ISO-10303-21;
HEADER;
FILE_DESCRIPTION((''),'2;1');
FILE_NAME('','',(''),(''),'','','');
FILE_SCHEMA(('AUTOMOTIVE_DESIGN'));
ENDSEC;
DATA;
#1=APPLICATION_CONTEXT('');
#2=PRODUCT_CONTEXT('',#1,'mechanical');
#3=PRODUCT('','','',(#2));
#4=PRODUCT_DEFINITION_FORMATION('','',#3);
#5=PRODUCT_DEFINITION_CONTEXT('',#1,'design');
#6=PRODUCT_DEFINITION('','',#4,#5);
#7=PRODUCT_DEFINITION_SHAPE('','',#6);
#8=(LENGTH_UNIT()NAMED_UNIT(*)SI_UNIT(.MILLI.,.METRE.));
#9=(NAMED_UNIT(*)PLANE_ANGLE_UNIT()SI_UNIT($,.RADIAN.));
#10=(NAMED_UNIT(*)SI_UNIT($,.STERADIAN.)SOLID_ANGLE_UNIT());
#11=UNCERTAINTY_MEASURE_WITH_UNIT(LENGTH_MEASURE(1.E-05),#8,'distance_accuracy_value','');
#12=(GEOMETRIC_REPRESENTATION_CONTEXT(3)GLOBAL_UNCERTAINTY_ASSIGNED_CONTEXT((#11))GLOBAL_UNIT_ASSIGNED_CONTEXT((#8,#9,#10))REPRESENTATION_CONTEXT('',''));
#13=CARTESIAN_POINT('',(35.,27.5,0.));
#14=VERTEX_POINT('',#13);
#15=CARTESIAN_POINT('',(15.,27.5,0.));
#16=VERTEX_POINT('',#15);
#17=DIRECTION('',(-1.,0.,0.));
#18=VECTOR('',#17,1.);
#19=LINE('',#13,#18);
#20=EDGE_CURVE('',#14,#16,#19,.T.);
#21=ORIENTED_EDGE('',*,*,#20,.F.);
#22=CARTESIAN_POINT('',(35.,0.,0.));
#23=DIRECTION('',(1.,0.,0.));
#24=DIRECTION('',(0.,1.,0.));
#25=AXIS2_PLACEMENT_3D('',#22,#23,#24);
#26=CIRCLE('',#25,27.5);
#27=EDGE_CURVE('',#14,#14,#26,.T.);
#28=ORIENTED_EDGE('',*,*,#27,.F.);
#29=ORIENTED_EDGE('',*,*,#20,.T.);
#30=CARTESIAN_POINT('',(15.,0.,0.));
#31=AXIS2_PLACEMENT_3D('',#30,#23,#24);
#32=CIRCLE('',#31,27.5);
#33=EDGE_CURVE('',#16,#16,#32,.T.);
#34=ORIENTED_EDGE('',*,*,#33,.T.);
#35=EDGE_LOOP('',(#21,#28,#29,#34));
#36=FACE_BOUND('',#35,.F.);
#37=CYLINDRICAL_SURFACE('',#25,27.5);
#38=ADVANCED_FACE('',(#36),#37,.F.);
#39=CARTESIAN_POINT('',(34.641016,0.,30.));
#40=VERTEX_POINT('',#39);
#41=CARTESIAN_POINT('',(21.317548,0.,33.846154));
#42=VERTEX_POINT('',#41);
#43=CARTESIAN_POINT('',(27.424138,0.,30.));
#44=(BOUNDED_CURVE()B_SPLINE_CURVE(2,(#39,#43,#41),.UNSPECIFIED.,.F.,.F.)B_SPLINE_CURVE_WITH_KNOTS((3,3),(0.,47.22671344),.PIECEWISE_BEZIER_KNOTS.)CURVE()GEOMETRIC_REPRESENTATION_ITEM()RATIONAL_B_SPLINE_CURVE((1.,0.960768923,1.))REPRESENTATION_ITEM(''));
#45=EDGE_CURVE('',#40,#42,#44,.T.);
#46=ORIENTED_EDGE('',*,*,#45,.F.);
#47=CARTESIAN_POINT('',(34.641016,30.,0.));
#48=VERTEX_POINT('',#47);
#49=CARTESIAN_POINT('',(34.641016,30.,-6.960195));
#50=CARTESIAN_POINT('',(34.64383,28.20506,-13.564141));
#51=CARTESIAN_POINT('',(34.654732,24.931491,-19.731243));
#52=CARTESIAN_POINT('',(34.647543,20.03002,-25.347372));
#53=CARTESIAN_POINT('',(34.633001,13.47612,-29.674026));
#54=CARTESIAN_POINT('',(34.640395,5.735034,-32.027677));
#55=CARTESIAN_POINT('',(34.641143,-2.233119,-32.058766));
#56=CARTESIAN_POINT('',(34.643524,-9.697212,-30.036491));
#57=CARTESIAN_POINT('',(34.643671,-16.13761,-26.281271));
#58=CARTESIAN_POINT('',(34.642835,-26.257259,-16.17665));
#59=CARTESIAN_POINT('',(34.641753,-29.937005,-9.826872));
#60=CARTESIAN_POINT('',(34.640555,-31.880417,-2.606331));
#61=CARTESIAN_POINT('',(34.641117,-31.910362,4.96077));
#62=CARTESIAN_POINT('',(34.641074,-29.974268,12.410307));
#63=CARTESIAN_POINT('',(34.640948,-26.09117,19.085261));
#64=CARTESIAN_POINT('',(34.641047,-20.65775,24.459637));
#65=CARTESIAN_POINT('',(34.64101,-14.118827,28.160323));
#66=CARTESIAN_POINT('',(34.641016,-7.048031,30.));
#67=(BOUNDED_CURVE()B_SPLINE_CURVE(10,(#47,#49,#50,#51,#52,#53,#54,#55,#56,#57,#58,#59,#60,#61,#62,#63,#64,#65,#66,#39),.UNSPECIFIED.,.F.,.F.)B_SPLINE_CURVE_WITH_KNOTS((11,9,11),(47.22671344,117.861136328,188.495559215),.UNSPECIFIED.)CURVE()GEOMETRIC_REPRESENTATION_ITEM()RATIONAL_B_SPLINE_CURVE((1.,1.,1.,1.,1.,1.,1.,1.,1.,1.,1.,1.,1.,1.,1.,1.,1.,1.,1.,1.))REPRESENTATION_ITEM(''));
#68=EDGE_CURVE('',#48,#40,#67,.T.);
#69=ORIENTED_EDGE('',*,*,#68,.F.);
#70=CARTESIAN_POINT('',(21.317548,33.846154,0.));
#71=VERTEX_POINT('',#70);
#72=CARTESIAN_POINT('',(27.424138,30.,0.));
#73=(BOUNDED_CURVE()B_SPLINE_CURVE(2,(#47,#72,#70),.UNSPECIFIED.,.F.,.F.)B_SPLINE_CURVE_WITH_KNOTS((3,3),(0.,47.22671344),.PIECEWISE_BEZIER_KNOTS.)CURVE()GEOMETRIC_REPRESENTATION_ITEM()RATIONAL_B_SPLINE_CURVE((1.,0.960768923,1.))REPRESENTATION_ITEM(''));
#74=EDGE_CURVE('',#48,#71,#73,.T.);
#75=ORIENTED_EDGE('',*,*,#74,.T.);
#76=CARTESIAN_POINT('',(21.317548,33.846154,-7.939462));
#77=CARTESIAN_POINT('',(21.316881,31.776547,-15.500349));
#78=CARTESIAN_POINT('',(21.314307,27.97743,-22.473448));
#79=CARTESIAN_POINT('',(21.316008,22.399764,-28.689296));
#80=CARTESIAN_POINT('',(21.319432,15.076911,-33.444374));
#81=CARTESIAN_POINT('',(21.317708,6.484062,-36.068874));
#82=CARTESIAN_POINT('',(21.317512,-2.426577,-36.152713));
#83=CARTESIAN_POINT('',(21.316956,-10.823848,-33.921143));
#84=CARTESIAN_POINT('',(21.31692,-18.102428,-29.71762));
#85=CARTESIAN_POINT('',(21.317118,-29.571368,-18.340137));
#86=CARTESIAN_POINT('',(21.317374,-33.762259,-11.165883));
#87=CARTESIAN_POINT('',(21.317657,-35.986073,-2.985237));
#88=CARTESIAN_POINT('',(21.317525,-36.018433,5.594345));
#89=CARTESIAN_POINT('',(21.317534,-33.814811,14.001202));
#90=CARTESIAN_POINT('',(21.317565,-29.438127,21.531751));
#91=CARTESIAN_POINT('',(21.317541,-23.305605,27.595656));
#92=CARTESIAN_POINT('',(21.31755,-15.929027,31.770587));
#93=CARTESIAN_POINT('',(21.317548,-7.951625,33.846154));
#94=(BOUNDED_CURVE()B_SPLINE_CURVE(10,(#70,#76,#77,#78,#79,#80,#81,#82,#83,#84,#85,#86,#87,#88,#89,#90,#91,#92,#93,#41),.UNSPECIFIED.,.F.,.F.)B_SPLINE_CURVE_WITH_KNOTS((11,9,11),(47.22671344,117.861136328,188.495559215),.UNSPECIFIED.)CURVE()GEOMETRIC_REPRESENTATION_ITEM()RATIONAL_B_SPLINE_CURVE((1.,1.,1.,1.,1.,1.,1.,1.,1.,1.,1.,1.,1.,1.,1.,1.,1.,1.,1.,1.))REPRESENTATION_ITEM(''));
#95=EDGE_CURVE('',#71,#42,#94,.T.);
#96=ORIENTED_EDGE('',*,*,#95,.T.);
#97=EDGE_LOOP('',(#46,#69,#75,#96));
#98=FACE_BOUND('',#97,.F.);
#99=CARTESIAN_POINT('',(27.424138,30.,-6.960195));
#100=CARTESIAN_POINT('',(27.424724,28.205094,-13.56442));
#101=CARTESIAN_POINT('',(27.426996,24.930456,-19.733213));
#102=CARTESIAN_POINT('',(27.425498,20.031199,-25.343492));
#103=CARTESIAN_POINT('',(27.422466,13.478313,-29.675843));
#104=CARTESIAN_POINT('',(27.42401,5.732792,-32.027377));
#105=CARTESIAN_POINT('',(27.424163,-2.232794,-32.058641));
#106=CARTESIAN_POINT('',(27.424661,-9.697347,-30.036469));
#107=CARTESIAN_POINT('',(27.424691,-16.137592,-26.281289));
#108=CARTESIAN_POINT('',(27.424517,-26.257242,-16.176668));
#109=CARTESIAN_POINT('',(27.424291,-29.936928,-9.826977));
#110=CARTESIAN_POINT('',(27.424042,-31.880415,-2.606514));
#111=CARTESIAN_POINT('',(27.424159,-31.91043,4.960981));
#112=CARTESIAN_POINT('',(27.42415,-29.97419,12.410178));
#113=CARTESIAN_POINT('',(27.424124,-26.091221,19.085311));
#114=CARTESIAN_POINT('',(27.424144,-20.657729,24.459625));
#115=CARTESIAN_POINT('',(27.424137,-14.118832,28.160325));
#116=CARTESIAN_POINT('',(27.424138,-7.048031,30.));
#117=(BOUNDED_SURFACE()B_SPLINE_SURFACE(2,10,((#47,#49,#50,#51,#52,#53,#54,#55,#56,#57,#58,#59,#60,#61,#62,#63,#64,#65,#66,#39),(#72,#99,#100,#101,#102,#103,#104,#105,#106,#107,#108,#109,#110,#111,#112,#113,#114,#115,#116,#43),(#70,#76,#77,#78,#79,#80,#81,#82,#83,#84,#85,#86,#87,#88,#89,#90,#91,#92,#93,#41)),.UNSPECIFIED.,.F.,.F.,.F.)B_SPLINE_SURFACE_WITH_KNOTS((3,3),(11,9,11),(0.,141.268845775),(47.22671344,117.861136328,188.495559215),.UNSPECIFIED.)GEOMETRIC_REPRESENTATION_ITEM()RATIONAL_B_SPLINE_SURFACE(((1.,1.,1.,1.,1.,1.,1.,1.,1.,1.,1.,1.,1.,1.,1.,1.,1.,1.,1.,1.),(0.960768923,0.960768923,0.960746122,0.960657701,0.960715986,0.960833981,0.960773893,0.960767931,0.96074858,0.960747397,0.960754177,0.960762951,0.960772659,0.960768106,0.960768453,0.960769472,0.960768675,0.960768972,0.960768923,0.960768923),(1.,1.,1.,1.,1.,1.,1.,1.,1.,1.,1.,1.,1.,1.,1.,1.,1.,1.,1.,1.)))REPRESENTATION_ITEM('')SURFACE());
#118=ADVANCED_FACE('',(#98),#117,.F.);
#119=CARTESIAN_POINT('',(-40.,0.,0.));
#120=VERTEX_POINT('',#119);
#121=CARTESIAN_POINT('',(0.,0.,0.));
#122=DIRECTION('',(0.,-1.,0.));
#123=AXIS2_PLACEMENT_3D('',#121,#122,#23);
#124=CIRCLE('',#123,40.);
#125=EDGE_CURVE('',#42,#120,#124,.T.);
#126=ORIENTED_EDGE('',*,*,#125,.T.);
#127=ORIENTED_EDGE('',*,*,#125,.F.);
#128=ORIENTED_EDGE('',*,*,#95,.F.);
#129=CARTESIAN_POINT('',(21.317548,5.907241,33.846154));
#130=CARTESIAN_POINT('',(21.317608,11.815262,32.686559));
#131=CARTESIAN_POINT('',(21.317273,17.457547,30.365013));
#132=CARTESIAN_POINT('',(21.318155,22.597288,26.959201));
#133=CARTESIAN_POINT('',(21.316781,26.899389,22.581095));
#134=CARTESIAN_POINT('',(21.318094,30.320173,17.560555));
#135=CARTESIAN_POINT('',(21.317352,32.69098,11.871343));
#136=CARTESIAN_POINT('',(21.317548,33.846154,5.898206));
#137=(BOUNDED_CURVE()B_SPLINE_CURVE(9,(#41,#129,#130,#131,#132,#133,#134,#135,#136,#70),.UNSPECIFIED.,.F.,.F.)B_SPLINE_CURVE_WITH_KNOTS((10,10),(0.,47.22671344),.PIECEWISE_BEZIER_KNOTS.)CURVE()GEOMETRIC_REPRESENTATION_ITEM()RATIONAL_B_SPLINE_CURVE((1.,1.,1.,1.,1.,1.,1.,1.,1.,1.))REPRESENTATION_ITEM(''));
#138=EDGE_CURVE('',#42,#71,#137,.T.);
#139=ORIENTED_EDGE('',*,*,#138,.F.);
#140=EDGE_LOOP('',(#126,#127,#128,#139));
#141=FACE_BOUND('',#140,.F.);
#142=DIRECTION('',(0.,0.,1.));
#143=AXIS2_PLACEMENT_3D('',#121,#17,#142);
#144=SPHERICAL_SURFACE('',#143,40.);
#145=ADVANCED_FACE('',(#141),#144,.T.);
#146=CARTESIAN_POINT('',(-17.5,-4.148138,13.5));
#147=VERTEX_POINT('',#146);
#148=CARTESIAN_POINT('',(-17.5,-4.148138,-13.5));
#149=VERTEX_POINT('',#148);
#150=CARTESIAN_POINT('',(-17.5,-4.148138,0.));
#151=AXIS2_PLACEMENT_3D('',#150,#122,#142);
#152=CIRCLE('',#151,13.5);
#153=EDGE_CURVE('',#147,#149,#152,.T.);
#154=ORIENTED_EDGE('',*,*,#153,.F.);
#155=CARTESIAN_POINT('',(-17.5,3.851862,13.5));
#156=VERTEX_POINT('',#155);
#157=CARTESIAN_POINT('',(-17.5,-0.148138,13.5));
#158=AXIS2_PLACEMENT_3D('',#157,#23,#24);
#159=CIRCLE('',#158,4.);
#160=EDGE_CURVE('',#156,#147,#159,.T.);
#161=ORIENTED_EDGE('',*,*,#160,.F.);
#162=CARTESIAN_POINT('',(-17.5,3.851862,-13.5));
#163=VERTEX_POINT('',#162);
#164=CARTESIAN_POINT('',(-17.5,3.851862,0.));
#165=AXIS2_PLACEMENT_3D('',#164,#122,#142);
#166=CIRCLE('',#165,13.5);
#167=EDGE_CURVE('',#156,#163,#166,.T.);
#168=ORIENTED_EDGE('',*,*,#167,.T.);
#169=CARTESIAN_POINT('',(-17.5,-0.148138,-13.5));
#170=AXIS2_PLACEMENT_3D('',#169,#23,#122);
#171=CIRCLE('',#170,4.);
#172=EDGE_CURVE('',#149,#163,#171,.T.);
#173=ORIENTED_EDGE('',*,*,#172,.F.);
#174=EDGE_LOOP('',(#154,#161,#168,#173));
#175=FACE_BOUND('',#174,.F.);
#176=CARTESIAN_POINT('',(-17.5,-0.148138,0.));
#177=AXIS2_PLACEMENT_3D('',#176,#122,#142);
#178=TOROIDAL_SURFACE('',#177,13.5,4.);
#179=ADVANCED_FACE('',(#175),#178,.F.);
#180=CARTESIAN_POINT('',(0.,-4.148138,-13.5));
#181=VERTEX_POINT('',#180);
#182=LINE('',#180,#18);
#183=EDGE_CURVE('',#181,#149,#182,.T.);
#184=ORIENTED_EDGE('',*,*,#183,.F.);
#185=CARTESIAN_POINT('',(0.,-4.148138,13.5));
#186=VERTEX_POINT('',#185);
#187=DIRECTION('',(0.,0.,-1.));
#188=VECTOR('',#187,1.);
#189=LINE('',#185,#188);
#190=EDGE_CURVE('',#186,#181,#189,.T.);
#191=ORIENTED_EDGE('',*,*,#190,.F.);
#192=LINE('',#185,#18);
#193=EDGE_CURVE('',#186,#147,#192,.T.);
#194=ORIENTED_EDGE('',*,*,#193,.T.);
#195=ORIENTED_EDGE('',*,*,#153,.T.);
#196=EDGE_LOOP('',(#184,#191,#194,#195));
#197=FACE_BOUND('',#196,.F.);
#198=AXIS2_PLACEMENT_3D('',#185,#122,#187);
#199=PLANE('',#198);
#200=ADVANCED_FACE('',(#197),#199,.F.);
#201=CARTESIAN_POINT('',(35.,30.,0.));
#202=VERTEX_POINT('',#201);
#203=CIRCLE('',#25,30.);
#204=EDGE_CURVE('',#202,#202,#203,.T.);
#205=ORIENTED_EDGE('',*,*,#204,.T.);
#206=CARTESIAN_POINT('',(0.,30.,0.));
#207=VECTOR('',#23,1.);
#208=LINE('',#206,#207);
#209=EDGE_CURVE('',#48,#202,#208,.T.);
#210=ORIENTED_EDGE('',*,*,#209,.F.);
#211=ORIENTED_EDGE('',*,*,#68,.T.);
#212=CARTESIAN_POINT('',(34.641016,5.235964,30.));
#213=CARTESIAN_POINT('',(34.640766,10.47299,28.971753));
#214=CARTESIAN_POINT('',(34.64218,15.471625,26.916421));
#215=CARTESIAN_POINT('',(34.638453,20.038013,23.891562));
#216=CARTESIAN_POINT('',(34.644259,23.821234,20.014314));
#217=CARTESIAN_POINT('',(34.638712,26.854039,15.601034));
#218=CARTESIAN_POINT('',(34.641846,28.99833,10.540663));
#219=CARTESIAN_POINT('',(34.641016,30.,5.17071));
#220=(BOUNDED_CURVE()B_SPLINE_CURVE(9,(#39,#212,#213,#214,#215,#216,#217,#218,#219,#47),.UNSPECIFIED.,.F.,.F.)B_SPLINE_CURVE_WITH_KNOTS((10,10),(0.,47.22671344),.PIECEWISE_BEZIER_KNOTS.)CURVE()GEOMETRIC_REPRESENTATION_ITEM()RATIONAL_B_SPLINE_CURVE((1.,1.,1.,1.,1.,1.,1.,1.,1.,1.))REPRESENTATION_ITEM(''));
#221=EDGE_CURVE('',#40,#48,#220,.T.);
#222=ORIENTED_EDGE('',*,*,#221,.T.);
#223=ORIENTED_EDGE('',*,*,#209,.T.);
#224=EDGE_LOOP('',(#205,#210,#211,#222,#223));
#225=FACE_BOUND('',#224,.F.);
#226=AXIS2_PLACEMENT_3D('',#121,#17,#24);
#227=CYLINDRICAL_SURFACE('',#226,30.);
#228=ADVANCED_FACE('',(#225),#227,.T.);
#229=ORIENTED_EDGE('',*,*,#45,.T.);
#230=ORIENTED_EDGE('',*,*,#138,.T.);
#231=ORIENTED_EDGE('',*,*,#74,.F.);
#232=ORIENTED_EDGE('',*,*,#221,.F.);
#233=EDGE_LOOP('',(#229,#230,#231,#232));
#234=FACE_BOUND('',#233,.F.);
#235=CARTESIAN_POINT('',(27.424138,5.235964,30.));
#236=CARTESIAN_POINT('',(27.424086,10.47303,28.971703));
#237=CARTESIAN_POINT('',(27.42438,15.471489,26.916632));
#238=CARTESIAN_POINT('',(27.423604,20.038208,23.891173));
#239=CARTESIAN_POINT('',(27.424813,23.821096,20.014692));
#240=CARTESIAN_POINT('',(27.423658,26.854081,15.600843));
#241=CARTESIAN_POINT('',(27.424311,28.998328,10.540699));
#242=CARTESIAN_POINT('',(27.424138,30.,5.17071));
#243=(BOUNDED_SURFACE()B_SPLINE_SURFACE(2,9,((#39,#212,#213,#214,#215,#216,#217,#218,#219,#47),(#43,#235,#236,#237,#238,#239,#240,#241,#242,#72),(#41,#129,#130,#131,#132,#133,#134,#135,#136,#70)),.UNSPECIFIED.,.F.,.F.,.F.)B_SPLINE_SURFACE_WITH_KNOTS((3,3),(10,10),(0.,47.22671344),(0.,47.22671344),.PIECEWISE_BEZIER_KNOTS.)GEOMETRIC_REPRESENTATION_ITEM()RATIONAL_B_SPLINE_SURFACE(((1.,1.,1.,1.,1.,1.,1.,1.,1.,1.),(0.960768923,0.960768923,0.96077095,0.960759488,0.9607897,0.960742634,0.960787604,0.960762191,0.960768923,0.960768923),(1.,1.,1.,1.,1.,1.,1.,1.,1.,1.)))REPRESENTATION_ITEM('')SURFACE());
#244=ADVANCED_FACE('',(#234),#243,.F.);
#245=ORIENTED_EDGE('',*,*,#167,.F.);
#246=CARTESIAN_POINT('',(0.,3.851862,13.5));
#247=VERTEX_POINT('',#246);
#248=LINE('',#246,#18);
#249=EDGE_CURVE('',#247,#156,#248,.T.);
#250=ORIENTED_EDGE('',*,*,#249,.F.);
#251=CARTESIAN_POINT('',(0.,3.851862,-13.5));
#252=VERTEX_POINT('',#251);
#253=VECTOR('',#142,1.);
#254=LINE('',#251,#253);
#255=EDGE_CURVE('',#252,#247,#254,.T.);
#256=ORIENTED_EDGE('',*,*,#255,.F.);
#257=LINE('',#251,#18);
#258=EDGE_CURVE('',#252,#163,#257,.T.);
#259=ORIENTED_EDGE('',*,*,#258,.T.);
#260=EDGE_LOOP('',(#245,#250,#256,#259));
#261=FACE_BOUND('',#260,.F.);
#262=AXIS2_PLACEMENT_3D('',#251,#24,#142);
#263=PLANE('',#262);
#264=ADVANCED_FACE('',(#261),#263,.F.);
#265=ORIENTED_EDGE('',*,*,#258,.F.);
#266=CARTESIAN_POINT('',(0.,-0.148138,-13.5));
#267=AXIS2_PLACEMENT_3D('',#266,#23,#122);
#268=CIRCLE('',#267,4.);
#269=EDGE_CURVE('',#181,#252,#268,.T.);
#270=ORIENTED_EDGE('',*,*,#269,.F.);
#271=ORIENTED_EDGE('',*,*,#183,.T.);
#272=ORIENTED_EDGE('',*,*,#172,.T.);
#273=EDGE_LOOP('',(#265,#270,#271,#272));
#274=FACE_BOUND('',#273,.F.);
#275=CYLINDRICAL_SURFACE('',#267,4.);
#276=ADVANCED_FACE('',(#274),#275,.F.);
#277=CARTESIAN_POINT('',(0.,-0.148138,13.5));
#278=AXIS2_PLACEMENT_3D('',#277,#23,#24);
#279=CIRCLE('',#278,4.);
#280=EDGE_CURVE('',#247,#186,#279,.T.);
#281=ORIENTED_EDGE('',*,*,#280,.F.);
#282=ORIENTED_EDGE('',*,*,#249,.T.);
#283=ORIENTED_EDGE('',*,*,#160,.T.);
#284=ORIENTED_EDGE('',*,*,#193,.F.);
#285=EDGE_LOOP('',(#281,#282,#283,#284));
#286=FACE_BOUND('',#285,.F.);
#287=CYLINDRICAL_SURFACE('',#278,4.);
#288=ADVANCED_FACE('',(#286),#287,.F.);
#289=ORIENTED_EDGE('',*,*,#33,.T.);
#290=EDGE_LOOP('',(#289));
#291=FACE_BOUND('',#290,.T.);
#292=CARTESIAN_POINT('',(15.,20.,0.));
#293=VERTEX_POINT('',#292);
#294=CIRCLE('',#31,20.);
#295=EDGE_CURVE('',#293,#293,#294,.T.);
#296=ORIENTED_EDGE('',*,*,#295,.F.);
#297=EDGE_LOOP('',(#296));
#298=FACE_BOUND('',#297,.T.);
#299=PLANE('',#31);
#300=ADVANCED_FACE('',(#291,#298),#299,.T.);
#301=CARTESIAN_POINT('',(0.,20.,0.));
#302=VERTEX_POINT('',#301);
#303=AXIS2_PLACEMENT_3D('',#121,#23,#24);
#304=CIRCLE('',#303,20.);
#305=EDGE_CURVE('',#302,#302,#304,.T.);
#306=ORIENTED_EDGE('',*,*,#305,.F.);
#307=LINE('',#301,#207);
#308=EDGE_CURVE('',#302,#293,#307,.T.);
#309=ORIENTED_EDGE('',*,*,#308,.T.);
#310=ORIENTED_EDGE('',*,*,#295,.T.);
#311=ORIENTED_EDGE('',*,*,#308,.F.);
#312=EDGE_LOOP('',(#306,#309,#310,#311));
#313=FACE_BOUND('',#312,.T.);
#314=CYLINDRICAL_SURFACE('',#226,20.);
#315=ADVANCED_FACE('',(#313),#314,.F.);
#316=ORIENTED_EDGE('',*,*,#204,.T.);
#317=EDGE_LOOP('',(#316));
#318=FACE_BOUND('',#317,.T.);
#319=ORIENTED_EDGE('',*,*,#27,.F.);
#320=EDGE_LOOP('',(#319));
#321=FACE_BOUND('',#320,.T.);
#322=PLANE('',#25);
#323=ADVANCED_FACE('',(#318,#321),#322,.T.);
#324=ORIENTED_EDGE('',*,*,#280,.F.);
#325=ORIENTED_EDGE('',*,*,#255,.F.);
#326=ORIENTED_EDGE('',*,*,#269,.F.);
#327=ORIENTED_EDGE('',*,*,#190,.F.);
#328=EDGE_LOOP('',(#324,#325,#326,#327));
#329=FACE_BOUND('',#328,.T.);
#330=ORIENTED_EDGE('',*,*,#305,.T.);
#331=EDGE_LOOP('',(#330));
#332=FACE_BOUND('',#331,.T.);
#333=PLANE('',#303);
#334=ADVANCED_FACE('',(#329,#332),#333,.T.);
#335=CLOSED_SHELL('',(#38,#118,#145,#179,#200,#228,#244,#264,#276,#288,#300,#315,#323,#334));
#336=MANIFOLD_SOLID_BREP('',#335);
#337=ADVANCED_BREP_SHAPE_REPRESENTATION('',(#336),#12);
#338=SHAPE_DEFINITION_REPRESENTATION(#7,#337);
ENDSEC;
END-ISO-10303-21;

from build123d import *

# Parameters (mm, degrees)
F2_R      = 20
F3_DEPTH  = 61.6
F5_R      = 30
F5_R_2    = 20
F6_DEPTH  = 35
F7_R      = 27.5
F7_R_2    = 20
F8_DEPTH  = 20
F9_R      = 25
F10_W     = 8
F10_H     = 13.5
F11_DEPTH = 17.5
F12_W     = 8
F12_H     = 13.5


with BuildPart() as f1:
    # F0 (on Front) → F1 (revolve)
    with BuildSketch(Plane.XZ):
        with BuildLine():
            ThreePointArc((40, 0), (0, 40), (-40, 0))
            Line((-40, 0), (40, 0))
        make_face()
    revolve(axis=Axis((0, 0, 0), (1, 0, 0)))

    # F2 (on Right) → F3 (cut)
    with BuildSketch(Plane.YZ):
        Circle(F2_R)
    extrude(amount=F3_DEPTH, mode=Mode.SUBTRACT)

    # F5 (on Right) → F6 (join)
    with BuildSketch(Plane.YZ):
        Circle(F5_R)
        Circle(F5_R_2, mode=Mode.SUBTRACT)
    extrude(amount=F6_DEPTH)

    # F7 (on face) → F8 (cut)
    with BuildSketch(Plane.YZ.offset(35)):
        Circle(F7_R)
        Circle(F7_R_2, mode=Mode.SUBTRACT)
    extrude(amount=-F8_DEPTH, mode=Mode.SUBTRACT)

    # F9
    f9_edges = [f1.edges().sort_by_distance(p)[0] for p in [
        (26.457513, 21.213203, 21.213203),
        (26.457513, -21.213203, -21.213203),
    ]]
    fillet(f9_edges, radius=F9_R)

    # F10 (on face) → F11 (cut)
    with BuildSketch(Plane.YZ):
        with BuildLine():
            ThreePointArc((3.8518622015, 13.5), (-0.1481377985, 17.5), (-4.1481377985, 13.5))
            Line((-4.1481377985, 13.5), (3.8518622015, 13.5))
        make_face()
        with Locations((-0.1481377985, 6.75)):
            Rectangle(F10_W, F10_H)
        with Locations((-0.1481377985, -6.75)):
            Rectangle(F10_W, F10_H)
        with BuildLine():
            Line((3.8518622015, -13.5), (-4.1481377985, -13.5))
            ThreePointArc((-4.1481377985, -13.5), (-0.1481377985, -17.5), (3.8518622015, -13.5))
        make_face()
    extrude(amount=-F11_DEPTH, mode=Mode.SUBTRACT)

    # F12 (on face) → F13 (revolve, cut)
    with BuildSketch(Plane.YZ.offset(-17.5)):
        with BuildLine():
            ThreePointArc((3.8518622015, 13.5), (-0.1481377985, 17.5), (-4.1481377985, 13.5))
            Line((-4.1481377985, 13.5), (3.8518622015, 13.5))
        make_face()
        with Locations((-0.1481377985, 6.75)):
            Rectangle(F12_W, F12_H)
    revolve(axis=Axis((-17.5, -0.1481377985, 0), (0, -1, 0)), mode=Mode.SUBTRACT)


solid = f1.part
